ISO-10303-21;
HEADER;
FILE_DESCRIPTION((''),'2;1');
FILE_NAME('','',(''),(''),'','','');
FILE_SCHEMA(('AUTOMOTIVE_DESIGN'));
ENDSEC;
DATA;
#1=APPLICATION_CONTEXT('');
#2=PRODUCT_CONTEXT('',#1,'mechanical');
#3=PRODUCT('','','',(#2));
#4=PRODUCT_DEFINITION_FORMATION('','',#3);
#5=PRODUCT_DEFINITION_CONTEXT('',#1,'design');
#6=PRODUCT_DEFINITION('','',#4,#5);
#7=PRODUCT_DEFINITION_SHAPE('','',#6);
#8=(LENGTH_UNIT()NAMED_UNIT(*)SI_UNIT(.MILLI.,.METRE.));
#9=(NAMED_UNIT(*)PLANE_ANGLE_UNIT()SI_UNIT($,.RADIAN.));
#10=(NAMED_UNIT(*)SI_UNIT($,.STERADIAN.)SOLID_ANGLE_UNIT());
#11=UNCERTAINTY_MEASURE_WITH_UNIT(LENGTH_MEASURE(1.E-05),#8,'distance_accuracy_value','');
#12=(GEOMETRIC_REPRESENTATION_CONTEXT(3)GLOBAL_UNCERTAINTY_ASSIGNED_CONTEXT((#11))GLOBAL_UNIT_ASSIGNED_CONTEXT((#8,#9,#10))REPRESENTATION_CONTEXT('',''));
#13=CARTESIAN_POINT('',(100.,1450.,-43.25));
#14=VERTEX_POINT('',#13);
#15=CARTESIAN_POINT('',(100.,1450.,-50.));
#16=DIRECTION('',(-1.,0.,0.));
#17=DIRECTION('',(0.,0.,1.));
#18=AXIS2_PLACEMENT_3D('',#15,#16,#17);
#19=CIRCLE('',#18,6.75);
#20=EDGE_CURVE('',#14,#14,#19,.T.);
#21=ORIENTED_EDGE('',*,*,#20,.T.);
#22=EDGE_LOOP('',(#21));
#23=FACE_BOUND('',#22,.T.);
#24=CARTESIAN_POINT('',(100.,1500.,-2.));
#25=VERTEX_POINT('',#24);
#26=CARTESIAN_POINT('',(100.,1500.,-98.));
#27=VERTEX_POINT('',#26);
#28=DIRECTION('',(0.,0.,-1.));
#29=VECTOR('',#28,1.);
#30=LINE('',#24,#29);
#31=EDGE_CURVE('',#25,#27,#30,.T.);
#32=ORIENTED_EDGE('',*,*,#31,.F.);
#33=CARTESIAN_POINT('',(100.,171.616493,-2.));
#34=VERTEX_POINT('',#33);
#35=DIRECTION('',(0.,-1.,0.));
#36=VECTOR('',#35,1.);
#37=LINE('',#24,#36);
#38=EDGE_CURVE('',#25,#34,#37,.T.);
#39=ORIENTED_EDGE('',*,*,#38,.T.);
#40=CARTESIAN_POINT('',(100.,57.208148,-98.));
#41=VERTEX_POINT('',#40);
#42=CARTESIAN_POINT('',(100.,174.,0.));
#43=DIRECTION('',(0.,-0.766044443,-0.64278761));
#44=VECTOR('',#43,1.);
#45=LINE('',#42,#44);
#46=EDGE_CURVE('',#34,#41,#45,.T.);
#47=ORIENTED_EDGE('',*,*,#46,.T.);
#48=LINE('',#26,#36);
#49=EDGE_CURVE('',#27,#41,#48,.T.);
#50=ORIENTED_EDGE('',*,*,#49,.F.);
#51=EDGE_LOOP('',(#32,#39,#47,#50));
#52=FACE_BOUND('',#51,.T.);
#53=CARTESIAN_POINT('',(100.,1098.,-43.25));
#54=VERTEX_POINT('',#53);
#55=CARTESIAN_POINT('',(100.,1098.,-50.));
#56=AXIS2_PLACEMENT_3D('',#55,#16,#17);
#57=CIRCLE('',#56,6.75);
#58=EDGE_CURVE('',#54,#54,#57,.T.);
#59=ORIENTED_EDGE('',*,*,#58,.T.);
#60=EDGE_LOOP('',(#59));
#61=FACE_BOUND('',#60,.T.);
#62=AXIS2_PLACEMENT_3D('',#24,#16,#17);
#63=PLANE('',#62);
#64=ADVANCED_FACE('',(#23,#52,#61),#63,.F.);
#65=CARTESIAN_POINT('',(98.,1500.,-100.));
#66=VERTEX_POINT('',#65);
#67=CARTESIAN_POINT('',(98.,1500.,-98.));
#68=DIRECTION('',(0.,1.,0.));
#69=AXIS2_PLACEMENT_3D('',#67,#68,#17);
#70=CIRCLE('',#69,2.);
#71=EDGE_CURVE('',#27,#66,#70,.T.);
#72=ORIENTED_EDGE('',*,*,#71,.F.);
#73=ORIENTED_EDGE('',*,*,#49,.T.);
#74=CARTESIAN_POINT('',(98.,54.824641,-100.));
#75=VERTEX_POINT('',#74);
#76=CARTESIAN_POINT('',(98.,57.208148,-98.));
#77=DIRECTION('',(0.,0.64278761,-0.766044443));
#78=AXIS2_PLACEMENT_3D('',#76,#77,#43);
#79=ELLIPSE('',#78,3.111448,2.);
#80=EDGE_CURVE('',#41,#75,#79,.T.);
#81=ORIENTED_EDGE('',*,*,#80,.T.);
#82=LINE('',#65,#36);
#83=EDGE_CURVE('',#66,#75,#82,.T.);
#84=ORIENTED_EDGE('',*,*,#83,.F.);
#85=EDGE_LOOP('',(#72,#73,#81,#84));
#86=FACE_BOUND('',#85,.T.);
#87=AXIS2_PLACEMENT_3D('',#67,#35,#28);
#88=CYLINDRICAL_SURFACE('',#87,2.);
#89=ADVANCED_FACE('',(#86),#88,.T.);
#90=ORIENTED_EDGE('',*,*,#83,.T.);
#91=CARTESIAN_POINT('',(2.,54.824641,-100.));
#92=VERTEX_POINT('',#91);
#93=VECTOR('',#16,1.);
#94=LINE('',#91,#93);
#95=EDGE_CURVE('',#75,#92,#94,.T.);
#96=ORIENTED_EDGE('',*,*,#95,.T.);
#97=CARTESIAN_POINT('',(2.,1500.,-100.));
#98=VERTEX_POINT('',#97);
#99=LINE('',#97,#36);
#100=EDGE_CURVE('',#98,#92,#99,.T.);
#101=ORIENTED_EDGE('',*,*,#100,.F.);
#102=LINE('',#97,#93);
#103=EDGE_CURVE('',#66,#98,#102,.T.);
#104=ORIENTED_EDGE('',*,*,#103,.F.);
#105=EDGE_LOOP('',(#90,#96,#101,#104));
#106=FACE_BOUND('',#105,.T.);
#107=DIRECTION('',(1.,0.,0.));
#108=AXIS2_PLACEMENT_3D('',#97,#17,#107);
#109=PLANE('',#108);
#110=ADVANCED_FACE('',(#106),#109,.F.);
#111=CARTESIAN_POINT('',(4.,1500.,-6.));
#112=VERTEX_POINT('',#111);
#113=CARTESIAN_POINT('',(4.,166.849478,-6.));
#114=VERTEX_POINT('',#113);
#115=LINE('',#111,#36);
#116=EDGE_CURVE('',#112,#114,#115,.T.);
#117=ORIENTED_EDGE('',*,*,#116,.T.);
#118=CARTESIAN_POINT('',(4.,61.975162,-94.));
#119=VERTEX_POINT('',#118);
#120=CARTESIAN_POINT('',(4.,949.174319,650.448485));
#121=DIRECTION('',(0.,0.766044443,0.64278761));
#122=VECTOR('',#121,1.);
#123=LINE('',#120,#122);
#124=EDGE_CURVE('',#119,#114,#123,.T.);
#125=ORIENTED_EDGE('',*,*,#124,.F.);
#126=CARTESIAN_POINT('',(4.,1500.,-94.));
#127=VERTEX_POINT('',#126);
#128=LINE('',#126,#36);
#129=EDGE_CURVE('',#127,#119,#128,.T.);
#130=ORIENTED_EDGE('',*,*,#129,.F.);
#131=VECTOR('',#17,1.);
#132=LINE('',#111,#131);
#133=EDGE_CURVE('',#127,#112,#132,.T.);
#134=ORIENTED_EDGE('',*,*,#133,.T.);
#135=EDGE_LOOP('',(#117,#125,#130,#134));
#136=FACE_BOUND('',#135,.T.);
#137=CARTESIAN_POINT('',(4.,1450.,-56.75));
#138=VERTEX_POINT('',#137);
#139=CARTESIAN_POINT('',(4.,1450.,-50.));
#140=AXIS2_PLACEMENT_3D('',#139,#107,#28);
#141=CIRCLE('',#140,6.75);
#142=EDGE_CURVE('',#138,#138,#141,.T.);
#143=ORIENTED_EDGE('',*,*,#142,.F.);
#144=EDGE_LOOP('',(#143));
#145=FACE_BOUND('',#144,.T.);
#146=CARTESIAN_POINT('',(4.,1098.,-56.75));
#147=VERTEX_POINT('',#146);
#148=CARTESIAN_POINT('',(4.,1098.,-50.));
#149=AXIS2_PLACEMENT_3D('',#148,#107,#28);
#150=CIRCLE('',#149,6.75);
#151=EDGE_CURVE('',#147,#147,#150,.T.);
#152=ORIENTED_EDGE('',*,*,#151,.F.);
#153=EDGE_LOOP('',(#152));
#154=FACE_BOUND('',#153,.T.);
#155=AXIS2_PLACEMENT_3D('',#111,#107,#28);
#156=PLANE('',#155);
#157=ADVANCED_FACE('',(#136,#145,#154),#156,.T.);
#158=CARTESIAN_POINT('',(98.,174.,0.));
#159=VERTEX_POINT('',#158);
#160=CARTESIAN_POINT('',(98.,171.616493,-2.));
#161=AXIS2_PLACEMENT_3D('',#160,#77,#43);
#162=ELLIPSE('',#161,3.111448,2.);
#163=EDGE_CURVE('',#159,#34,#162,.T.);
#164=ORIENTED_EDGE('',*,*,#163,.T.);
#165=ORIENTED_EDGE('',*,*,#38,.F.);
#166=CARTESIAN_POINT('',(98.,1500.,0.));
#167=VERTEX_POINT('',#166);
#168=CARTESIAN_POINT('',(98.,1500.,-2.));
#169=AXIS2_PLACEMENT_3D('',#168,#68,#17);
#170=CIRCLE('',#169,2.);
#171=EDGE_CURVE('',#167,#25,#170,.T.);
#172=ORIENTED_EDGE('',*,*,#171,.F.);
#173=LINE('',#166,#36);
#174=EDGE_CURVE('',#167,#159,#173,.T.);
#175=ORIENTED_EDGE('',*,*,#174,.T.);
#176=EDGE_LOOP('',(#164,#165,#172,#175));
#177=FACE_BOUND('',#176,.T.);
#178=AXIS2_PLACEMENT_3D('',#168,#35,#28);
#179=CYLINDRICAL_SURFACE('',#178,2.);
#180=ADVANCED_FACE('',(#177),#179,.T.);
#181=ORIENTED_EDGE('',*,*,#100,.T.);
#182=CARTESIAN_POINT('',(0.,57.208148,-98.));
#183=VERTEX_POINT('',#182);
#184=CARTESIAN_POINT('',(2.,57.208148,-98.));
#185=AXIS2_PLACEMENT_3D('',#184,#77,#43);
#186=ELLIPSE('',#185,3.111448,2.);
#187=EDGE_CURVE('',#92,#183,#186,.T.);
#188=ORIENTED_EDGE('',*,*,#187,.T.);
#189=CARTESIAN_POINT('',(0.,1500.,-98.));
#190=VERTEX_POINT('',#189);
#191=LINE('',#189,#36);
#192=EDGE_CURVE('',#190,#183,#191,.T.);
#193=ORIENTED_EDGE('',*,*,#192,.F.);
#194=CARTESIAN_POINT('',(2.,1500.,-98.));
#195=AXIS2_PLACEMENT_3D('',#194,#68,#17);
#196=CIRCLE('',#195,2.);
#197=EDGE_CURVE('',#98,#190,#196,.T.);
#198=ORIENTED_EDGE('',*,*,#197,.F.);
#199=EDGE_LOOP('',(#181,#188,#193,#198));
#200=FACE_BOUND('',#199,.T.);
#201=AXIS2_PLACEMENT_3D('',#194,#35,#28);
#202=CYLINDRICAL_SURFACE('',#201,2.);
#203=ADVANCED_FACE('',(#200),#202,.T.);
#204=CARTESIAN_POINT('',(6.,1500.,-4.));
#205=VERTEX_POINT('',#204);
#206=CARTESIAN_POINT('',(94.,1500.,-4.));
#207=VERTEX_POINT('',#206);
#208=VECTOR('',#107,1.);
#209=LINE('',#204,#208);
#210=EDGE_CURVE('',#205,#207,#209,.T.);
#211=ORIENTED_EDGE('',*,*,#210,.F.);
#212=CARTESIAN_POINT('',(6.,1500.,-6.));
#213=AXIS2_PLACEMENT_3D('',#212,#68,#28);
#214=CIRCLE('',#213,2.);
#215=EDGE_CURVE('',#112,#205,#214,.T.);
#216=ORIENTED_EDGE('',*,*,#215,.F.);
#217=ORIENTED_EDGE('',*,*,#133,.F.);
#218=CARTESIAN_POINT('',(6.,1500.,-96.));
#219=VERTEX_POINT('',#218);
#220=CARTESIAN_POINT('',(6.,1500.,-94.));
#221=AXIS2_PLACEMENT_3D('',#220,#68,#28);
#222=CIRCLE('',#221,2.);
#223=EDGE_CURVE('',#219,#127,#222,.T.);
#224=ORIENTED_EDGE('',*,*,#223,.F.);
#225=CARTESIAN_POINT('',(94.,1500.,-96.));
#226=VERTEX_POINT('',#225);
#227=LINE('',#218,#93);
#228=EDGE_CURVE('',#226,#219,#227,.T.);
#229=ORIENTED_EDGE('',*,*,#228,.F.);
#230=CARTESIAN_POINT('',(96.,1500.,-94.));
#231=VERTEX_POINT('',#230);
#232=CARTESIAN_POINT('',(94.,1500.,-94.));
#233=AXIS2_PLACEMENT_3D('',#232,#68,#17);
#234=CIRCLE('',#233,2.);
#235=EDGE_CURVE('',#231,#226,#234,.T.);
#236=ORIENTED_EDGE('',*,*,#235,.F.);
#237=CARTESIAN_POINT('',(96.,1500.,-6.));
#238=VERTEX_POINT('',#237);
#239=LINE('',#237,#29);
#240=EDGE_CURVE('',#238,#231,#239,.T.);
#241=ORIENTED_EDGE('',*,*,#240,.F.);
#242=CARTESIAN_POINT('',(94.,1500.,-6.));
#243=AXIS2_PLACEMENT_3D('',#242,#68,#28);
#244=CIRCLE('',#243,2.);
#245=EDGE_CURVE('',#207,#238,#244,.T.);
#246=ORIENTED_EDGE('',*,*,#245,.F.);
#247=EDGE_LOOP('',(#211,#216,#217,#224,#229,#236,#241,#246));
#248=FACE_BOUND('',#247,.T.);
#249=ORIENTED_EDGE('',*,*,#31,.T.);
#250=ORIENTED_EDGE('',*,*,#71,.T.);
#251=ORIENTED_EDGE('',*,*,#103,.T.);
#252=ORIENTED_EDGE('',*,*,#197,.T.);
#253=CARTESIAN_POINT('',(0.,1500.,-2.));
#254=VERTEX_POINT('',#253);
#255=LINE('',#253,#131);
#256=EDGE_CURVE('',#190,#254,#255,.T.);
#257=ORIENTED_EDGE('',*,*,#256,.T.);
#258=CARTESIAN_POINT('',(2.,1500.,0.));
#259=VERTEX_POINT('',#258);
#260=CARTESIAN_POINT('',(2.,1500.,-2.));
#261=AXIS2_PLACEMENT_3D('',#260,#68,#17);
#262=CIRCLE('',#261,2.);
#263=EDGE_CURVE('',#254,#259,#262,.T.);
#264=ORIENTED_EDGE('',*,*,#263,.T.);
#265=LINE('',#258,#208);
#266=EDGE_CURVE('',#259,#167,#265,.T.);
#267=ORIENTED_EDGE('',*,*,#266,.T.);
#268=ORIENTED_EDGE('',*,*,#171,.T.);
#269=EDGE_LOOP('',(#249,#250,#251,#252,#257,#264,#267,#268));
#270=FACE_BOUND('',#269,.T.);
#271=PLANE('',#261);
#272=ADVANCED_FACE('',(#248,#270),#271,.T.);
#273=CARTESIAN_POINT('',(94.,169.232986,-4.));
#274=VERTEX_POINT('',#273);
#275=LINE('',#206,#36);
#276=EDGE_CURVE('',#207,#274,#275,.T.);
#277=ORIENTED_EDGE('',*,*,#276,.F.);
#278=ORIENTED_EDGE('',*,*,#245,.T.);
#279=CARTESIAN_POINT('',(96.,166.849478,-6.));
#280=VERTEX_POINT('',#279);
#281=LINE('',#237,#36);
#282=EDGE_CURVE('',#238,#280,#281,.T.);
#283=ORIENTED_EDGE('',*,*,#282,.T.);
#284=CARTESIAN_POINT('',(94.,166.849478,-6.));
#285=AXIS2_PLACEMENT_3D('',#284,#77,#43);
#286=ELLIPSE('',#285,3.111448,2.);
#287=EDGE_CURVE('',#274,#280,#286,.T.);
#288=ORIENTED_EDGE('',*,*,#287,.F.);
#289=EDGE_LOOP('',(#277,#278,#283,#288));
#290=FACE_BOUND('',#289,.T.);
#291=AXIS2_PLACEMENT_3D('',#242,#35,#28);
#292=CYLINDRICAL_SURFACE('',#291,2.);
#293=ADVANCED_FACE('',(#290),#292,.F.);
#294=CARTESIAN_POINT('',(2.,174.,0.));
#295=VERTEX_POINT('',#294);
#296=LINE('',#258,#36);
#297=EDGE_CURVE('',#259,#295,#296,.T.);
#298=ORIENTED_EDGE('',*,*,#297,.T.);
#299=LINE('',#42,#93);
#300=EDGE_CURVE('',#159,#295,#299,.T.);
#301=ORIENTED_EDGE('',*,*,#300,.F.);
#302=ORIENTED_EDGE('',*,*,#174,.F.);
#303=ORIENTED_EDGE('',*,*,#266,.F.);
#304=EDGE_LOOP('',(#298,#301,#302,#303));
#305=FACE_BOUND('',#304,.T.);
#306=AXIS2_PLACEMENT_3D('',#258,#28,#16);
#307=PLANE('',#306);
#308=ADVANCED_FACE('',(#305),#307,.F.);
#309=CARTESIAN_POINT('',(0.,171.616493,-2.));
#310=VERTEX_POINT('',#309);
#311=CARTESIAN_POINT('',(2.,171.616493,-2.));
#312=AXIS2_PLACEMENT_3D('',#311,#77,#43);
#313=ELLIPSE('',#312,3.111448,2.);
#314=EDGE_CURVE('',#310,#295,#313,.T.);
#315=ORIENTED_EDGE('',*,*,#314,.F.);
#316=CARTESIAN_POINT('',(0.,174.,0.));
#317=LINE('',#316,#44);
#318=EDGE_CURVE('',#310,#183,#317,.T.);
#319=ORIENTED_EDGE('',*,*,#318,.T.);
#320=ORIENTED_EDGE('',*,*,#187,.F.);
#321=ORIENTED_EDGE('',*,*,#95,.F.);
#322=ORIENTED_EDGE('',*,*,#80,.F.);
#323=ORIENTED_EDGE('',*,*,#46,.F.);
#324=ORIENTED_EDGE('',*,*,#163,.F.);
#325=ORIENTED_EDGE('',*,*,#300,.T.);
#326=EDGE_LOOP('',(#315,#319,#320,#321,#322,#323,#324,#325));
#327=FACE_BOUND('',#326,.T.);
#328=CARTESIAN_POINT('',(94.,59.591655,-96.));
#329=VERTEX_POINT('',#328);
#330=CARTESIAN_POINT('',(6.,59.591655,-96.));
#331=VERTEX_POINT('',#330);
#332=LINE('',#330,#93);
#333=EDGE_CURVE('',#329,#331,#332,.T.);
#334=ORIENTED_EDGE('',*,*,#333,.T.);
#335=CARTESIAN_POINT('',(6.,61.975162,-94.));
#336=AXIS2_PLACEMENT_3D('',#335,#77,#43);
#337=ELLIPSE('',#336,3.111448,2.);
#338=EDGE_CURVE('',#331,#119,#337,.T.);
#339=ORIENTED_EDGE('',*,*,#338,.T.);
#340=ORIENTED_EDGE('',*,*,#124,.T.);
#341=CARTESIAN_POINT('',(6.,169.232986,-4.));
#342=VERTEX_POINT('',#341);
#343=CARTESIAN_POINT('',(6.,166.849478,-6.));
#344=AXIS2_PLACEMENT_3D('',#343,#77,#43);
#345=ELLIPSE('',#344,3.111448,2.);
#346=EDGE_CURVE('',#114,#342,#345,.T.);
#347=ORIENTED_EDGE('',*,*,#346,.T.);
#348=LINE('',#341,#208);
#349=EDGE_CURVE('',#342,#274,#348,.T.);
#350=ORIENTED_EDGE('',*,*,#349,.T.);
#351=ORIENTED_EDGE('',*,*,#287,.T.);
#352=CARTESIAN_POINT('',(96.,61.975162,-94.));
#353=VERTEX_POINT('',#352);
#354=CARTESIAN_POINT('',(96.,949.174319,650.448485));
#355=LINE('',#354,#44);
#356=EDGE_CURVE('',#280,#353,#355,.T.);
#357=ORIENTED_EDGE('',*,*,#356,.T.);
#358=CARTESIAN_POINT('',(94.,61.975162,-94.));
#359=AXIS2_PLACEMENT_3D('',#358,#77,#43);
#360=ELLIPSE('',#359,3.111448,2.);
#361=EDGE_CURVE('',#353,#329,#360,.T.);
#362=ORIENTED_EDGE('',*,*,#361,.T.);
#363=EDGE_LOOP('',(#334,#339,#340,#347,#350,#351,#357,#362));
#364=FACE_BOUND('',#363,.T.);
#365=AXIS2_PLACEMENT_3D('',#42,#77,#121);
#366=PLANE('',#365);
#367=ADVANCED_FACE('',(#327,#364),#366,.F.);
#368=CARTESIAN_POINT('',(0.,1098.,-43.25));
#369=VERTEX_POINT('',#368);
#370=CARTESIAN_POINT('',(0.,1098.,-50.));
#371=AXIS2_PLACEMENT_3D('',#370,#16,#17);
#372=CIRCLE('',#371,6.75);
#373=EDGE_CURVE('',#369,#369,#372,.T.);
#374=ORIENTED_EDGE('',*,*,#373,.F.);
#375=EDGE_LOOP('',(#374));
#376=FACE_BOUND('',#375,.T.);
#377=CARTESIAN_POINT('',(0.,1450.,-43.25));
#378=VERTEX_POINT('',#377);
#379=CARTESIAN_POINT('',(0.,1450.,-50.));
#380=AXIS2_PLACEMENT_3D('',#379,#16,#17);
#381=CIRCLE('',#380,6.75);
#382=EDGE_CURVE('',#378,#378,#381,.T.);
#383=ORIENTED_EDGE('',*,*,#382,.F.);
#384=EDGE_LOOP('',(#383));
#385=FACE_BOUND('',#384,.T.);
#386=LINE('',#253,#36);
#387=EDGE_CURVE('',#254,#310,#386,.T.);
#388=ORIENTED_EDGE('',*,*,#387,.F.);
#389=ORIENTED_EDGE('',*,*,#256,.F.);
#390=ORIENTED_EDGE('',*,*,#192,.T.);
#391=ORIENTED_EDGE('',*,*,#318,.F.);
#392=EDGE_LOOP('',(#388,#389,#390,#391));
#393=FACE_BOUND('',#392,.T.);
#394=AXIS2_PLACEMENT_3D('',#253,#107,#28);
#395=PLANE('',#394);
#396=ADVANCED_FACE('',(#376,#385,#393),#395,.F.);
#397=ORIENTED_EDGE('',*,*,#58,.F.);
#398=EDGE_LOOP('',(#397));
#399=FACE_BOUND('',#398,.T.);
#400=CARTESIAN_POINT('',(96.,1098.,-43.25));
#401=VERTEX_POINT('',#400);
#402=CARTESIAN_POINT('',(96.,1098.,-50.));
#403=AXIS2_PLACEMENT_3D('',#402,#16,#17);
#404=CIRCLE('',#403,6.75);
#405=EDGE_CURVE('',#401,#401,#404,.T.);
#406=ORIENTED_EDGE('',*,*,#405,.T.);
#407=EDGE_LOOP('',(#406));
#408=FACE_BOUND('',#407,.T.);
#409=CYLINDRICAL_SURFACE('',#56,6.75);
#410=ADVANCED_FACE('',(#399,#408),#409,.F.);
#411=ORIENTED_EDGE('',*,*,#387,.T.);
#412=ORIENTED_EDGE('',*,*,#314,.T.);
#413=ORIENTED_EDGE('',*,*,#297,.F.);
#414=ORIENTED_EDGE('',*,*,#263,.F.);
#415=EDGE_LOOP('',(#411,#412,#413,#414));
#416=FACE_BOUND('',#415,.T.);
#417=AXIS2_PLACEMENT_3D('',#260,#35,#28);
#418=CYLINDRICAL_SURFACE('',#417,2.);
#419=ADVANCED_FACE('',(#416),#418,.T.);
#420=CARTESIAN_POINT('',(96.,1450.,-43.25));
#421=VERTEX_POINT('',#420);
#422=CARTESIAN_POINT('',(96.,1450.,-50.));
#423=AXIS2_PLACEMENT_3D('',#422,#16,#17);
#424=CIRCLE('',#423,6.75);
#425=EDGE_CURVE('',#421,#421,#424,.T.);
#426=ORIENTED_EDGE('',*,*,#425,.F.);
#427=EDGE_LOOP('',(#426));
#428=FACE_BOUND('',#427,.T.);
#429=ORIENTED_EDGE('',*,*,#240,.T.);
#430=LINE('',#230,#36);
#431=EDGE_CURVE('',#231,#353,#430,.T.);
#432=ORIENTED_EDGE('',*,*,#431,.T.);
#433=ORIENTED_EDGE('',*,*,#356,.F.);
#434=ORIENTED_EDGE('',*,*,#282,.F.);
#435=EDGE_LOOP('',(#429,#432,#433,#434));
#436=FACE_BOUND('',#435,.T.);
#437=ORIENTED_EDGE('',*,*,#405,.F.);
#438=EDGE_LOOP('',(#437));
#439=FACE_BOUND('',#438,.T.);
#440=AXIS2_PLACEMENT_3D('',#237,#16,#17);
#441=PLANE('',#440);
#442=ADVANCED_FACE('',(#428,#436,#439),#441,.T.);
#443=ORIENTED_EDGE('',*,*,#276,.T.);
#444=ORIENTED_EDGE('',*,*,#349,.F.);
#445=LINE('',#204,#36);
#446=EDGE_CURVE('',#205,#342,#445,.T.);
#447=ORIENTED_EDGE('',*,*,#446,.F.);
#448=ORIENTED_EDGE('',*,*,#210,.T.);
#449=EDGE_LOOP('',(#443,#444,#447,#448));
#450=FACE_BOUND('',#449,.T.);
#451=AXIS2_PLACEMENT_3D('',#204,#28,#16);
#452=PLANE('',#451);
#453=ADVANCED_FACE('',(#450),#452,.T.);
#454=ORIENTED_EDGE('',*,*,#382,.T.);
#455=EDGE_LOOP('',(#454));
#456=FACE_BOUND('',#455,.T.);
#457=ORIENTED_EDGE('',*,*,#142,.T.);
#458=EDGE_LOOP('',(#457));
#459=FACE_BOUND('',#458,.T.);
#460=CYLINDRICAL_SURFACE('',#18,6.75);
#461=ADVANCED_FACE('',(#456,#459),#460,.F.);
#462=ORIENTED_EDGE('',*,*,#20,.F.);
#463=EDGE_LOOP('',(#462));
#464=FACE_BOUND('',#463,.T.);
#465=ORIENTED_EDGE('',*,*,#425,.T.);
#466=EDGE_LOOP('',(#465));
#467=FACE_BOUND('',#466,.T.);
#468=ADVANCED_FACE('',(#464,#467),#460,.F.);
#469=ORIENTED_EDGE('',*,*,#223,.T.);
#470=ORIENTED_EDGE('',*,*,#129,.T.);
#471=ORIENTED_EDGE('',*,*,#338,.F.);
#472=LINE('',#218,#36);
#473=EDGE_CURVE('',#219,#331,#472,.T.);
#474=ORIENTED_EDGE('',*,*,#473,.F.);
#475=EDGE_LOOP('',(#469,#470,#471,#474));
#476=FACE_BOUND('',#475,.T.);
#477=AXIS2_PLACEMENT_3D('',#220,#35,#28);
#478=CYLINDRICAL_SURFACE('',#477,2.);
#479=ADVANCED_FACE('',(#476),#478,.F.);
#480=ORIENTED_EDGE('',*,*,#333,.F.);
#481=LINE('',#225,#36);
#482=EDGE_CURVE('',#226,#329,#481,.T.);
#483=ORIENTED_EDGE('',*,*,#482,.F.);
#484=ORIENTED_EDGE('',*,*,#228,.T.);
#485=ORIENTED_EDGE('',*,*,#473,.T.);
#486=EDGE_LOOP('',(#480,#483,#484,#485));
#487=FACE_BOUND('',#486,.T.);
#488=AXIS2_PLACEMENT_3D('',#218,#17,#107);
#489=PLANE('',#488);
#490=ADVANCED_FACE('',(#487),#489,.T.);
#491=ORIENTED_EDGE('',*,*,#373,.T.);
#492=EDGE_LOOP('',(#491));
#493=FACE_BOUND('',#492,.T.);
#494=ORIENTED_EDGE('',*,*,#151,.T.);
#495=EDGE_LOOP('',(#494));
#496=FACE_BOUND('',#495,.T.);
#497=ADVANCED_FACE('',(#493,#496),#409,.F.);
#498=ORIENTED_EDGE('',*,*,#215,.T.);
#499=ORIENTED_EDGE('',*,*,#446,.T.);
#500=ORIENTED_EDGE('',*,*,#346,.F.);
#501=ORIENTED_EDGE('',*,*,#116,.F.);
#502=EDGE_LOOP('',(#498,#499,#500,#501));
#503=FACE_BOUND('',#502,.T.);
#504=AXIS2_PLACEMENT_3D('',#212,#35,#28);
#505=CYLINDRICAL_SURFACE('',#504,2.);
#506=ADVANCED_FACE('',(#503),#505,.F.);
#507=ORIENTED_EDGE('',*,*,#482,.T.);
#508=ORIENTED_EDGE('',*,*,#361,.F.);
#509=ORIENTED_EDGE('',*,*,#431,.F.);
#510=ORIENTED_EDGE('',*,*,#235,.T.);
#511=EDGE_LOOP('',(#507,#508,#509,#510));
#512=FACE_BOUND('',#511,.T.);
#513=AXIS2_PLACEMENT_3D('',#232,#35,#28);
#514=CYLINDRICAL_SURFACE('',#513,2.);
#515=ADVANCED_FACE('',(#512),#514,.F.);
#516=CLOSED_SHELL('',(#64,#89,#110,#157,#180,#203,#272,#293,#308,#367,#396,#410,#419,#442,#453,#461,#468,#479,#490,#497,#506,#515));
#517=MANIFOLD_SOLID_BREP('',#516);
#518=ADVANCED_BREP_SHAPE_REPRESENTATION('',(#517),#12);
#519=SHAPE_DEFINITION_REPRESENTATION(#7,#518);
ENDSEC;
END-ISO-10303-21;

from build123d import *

# Parameters (mm, degrees)
BOSS_EXTRU_1_DEPTH      = 1500
ESQUISSE4_R             = 6.75
ENL_V_MAT_EXTRU_1_DEPTH = 1507.651917332


with BuildPart() as part:
    # Esquisse2 → Boss.-Extru.1 (new body)
    with BuildSketch(Plane(origin=(0, 0, 0), x_dir=(1, 0, 0), z_dir=(0, 1, 0))):
        with BuildLine():
            Line((2, 0), (98, 0))
            ThreePointArc((98, 0), (99.414213562, 0.585786438), (100, 2))
            Line((100, 2), (100, 98))
            ThreePointArc((100, 98), (99.414213562, 99.414213562), (98, 100))
            Line((98, 100), (2, 100))
            ThreePointArc((2, 100), (0.585786438, 99.414213562), (0, 98))
            Line((0, 98), (0, 2))
            ThreePointArc((0, 2), (0.585786438, 0.585786438), (2, 0))
        make_face()
        with BuildLine():
            Line((6, 96), (94, 96))
            ThreePointArc((94, 96), (95.414213562, 95.414213562), (96, 94))
            Line((96, 94), (96, 6))
            ThreePointArc((96, 6), (95.414213562, 4.585786438), (94, 4))
            Line((94, 4), (6, 4))
            ThreePointArc((6, 4), (4.585786438, 4.585786438), (4, 6))
            Line((4, 6), (4, 94))
            ThreePointArc((4, 94), (4.585786438, 95.414213562), (6, 96))
        make_face(mode=Mode.SUBTRACT)
    extrude(amount=BOSS_EXTRU_1_DEPTH)

    # Esquisse4 → Enlèv. mat.-Extru.1 (cut, through all)
    with BuildSketch(Plane.ZY):
        with Locations((-50, 1450)):
            Circle(ESQUISSE4_R)
        with Locations((-50, 1098)):
            Circle(ESQUISSE4_R)
        Polygon((0, 174), (-165.464535812, -23.192955001), (56.265885145, -23.192955001), (56.265885145, 174), align=None)
    extrude(amount=-ENL_V_MAT_EXTRU_1_DEPTH, mode=Mode.SUBTRACT)


solid = part.part
